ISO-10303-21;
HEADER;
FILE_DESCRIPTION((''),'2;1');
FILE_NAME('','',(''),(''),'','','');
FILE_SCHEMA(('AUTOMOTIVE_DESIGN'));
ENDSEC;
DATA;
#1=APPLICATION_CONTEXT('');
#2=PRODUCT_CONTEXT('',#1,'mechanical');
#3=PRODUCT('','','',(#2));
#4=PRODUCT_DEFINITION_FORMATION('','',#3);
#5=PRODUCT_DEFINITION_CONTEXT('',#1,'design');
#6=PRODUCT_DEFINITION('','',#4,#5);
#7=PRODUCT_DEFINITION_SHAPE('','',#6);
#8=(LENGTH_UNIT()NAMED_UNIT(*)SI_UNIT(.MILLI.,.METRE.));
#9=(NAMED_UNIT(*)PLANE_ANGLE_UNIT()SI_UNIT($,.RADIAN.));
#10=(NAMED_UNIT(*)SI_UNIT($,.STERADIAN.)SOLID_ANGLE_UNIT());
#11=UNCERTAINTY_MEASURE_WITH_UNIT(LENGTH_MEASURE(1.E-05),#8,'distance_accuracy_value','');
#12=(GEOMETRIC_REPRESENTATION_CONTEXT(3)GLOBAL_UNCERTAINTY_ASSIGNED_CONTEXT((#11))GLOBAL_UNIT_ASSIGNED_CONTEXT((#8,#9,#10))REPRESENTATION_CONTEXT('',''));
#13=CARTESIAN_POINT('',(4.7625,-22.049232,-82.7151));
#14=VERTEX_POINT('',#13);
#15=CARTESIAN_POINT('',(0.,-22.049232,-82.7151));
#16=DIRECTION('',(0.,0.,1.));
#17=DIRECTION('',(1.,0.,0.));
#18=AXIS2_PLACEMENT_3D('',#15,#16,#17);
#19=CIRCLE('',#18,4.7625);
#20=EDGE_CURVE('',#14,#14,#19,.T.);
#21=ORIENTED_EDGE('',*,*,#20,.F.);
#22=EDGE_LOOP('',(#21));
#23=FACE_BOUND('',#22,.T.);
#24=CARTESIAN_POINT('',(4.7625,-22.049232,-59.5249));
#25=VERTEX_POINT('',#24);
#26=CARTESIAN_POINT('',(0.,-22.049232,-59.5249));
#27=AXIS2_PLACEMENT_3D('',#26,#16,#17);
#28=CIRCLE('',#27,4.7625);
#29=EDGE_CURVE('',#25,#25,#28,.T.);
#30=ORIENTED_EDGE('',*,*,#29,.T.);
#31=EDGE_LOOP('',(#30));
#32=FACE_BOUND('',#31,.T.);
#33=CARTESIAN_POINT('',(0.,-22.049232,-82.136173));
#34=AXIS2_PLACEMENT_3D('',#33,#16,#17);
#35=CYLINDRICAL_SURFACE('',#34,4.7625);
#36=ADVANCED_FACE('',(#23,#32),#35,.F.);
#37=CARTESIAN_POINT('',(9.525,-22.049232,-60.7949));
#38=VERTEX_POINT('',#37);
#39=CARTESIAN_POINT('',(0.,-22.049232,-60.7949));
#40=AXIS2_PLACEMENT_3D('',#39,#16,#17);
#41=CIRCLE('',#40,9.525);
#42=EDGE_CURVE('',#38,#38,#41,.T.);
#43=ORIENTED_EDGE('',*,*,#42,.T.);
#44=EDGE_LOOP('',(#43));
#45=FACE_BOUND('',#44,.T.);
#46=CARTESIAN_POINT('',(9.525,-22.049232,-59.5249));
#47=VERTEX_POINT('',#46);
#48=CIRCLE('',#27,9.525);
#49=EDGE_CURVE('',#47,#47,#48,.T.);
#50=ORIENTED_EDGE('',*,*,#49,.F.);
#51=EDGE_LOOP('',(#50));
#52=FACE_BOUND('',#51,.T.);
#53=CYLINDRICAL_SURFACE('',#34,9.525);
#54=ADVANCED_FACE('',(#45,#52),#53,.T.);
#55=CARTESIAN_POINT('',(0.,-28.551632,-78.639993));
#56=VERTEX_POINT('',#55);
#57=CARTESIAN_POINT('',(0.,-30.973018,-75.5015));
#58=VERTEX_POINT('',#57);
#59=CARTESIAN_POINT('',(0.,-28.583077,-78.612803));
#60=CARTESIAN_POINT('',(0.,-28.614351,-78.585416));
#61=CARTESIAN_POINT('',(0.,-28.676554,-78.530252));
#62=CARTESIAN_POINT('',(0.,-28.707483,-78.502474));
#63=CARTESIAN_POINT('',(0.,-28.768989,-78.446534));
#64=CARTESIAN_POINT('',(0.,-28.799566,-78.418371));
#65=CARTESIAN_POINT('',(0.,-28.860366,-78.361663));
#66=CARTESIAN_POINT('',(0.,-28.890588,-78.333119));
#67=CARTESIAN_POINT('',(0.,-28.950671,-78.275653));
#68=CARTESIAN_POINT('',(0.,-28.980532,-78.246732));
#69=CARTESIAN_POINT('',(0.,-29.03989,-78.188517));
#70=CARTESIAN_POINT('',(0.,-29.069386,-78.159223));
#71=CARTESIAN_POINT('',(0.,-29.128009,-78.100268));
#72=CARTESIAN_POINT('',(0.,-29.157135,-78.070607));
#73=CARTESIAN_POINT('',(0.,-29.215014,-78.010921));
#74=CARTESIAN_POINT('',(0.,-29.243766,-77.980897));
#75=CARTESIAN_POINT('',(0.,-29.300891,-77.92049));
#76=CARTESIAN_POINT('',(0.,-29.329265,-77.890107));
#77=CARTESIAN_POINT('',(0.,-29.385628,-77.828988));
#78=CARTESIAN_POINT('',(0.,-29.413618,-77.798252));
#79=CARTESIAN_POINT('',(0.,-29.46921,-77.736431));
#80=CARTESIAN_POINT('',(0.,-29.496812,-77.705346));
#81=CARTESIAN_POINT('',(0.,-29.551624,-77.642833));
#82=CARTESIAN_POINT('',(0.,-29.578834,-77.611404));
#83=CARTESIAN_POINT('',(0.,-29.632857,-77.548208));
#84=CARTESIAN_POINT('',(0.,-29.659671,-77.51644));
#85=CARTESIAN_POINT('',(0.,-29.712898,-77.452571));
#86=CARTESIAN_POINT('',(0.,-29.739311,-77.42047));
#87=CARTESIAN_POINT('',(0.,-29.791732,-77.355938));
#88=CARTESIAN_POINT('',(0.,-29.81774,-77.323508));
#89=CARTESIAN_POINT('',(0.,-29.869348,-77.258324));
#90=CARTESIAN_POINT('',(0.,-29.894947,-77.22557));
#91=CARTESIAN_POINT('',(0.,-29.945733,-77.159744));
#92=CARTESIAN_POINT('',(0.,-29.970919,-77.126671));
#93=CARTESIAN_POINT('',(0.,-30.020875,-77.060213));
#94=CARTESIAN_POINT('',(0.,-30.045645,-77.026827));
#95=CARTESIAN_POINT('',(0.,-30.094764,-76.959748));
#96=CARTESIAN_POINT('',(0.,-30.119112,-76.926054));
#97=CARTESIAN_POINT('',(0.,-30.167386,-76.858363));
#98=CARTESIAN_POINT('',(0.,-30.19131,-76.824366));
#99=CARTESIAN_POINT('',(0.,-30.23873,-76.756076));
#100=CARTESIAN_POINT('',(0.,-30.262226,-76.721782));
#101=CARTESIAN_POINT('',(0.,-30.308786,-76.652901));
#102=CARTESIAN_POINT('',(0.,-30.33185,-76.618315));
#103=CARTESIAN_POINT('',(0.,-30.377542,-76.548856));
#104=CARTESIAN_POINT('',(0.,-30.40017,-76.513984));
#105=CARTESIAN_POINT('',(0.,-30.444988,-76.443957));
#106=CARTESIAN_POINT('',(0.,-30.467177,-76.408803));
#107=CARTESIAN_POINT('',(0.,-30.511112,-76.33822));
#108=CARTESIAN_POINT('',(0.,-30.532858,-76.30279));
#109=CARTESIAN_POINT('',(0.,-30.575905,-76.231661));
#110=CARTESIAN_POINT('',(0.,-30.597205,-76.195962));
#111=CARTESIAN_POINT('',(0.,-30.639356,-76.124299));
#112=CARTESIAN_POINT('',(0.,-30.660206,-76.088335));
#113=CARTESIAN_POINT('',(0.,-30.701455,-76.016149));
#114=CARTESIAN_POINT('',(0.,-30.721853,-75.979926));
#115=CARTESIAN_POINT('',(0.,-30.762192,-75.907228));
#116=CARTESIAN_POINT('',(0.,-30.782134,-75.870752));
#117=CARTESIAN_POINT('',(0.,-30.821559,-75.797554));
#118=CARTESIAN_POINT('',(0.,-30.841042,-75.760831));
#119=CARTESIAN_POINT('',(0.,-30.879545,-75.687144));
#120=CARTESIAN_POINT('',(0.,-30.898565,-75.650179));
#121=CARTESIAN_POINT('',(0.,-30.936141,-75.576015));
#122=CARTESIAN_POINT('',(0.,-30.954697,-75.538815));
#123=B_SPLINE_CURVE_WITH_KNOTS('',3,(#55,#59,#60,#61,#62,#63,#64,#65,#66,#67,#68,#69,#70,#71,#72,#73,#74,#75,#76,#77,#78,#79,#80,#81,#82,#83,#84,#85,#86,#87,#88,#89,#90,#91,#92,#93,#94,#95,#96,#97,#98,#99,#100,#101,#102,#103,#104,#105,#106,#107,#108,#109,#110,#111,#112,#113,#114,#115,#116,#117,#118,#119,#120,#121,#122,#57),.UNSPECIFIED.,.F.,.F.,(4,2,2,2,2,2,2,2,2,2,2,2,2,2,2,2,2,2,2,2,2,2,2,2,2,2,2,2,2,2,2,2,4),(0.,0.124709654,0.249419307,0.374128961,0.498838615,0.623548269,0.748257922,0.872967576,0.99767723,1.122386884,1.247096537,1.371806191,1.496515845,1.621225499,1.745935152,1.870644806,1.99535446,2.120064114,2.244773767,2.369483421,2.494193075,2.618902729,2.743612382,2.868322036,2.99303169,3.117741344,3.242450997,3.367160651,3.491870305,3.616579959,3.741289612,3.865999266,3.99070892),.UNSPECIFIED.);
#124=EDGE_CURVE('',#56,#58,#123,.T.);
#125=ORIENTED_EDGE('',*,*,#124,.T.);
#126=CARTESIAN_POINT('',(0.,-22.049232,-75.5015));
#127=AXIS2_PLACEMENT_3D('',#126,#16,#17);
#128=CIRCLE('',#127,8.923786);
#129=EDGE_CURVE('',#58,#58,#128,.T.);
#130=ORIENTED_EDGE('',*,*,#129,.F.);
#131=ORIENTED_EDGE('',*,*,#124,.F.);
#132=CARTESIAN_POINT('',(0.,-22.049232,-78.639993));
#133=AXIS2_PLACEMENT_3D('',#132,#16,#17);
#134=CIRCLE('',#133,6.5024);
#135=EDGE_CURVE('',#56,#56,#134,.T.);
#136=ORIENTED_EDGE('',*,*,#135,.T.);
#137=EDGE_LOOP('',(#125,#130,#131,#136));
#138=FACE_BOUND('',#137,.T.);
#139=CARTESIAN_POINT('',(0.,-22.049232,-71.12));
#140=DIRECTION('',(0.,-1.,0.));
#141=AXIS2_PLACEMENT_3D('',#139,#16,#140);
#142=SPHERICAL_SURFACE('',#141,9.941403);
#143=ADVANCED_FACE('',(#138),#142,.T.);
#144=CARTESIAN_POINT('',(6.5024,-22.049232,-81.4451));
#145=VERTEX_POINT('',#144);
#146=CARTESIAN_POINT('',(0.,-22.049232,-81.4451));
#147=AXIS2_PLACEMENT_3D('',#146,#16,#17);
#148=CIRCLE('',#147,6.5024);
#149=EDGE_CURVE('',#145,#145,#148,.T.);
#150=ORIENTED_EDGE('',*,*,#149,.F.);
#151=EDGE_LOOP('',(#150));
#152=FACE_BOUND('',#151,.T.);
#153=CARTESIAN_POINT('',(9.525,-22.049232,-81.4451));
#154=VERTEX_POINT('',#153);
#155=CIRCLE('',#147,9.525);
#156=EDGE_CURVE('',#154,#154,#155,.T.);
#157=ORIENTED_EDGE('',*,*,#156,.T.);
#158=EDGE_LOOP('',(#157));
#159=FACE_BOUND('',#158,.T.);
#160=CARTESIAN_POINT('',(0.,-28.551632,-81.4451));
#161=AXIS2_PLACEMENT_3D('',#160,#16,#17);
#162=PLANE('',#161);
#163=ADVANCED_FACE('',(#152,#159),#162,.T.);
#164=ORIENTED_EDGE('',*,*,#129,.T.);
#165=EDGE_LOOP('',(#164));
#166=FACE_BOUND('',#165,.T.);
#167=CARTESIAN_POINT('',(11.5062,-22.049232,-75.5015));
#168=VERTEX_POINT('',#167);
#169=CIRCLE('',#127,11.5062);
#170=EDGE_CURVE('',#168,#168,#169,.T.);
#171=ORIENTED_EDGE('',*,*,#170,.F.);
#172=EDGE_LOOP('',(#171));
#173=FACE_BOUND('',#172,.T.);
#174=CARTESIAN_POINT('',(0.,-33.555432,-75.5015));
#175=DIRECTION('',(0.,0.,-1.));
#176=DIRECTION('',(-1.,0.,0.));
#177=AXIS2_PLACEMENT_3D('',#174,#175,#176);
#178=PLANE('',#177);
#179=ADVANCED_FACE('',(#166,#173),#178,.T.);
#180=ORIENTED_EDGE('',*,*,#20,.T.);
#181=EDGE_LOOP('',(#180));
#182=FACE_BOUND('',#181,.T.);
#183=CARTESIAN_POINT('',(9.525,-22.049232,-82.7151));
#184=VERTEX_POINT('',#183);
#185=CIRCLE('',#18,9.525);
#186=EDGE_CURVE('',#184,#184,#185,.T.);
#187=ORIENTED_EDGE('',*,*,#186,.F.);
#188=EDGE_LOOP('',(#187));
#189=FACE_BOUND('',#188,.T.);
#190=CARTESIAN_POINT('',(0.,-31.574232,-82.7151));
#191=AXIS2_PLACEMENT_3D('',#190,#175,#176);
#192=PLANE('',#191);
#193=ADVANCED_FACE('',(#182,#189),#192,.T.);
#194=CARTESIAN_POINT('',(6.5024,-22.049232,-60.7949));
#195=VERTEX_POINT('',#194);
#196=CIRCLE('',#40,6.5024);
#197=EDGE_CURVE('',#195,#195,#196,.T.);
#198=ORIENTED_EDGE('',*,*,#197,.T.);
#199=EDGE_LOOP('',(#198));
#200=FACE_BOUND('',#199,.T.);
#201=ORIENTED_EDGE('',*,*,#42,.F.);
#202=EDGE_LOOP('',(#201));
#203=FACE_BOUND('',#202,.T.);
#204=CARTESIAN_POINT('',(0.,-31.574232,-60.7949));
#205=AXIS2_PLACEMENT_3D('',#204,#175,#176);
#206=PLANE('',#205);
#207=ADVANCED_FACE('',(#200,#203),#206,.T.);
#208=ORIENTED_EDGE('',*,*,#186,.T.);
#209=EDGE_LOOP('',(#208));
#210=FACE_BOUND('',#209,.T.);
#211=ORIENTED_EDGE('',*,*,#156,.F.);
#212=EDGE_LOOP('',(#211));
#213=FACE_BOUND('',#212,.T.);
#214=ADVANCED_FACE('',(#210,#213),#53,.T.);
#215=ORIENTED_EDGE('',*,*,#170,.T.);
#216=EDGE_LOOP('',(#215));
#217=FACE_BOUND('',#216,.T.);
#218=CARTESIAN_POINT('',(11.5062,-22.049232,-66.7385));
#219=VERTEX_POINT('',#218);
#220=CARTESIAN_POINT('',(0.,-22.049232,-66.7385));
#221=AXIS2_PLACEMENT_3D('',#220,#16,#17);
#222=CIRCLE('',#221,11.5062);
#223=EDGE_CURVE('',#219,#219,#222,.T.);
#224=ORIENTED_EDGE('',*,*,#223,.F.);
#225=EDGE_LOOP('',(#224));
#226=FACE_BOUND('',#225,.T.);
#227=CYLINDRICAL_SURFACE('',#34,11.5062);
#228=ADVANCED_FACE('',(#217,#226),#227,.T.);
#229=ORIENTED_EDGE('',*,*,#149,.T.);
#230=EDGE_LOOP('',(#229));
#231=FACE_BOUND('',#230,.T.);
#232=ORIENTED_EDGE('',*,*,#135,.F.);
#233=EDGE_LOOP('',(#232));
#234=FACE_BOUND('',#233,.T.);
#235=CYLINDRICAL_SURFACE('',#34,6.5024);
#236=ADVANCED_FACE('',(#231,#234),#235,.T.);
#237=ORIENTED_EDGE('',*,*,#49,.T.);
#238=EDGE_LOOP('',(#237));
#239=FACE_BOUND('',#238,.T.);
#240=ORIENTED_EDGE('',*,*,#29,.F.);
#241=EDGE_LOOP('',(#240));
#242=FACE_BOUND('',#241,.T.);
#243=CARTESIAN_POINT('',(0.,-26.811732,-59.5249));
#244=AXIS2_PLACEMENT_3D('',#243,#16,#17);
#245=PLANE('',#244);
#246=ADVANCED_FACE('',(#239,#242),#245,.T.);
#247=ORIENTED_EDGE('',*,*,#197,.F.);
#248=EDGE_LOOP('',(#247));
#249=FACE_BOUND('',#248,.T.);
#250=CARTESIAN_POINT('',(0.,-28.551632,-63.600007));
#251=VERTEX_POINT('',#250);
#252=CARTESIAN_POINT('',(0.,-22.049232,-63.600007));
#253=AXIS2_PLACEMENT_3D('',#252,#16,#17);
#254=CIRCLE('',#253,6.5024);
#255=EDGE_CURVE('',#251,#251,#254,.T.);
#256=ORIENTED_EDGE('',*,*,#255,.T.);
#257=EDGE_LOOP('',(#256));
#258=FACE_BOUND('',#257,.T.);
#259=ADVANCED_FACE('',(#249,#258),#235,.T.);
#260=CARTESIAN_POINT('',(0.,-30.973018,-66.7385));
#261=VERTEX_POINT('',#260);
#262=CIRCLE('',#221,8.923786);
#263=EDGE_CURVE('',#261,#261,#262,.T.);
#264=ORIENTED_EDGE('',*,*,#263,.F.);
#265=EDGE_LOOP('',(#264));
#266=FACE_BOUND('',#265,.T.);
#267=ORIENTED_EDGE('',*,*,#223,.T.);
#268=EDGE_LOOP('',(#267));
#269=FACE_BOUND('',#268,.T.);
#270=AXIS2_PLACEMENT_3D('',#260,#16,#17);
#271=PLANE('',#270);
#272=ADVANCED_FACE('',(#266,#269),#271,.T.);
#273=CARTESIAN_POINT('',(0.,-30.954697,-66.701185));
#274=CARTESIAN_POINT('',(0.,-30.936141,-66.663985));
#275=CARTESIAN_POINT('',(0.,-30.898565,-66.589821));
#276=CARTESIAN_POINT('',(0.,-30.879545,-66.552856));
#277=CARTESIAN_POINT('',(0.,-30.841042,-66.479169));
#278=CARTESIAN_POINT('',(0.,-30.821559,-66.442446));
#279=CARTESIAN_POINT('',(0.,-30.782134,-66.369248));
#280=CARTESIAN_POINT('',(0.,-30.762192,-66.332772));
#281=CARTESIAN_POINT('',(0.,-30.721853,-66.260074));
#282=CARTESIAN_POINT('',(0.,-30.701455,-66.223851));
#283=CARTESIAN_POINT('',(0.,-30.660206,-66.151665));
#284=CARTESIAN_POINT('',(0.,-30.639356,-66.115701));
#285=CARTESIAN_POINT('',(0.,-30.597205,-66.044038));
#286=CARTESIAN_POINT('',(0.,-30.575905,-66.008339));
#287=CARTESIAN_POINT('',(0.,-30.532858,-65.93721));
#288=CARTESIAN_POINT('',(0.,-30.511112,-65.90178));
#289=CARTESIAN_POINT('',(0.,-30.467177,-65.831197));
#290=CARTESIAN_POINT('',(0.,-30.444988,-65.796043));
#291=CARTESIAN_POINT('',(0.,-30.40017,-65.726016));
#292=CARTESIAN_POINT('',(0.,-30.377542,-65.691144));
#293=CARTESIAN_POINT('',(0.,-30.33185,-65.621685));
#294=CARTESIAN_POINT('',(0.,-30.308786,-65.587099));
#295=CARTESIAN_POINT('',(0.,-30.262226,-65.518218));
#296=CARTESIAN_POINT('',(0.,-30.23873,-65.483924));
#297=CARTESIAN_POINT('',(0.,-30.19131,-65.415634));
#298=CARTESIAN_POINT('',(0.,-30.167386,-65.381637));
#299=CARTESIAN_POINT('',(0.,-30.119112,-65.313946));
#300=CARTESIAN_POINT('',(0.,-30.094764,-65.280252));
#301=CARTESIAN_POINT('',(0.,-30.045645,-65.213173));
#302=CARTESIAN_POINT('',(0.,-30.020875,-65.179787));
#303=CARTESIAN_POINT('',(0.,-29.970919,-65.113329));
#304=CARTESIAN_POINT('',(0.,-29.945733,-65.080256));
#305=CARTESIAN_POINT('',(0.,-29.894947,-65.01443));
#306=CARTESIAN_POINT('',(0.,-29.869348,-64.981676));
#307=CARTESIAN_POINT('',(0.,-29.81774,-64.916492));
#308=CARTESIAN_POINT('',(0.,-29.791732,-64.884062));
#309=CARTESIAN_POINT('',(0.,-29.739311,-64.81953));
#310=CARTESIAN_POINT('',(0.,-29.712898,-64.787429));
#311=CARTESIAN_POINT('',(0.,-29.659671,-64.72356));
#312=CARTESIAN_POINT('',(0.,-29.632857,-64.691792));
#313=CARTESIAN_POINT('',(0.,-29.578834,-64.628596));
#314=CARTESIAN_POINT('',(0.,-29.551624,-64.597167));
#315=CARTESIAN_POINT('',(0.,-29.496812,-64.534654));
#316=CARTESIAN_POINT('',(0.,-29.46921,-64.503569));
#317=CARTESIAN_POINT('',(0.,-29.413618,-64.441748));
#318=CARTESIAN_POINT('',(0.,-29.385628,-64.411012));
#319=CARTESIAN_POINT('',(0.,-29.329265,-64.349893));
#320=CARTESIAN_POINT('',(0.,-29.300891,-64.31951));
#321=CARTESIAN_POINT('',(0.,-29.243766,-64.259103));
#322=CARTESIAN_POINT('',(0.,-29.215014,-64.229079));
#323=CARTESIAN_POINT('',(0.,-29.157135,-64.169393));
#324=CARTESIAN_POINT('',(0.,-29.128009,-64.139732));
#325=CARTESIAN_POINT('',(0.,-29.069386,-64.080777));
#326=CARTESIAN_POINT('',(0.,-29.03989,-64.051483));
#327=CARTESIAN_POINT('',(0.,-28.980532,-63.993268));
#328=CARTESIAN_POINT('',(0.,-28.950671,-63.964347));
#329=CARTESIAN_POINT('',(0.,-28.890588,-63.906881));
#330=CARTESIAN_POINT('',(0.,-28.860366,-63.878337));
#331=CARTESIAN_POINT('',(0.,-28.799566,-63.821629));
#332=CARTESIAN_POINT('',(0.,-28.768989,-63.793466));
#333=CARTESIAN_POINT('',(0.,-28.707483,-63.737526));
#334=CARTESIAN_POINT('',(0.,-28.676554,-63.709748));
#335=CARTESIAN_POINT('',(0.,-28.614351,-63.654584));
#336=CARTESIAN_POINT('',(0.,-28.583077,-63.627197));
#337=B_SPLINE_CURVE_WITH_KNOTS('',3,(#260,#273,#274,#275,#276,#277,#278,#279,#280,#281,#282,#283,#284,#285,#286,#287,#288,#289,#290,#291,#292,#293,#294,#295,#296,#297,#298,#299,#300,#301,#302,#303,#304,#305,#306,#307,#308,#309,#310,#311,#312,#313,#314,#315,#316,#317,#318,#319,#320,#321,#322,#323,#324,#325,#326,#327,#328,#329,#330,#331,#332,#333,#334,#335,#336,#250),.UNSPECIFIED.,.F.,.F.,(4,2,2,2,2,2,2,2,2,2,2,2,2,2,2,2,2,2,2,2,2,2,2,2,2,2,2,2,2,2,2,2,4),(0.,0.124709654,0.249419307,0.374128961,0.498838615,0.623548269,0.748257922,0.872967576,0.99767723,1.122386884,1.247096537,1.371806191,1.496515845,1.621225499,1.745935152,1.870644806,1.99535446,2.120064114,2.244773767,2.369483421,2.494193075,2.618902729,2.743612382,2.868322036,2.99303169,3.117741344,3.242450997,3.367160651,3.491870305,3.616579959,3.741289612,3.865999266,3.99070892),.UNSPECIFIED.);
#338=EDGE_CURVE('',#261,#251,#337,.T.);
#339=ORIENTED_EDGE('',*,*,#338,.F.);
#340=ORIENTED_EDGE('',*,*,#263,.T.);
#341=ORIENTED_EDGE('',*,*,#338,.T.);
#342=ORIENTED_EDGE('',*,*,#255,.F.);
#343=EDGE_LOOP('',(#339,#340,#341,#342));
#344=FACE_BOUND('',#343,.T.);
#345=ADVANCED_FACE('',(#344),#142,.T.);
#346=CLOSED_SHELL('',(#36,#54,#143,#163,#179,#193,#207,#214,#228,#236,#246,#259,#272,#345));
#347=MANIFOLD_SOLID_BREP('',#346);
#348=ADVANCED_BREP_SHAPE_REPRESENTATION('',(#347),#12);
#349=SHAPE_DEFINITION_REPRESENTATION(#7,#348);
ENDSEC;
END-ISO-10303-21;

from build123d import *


with BuildPart() as part:
    # Sketch1 → Revolve1 (revolve)
    with BuildSketch(Plane(origin=(0, 0, 0), x_dir=(0, 0, -1), z_dir=(1, 0, 0)), mode=Mode.PRIVATE) as revolve1_sk:
        with BuildLine():
            Line((60.7949, -26.811732), (81.4451, -26.811732))
            Line((81.4451, -26.811732), (82.7151, -26.811732))
            Line((82.7151, -26.811732), (82.7151, -31.574232))
            Line((82.7151, -31.574232), (81.4451, -31.574232))
            Line((81.4451, -31.574232), (81.4451, -28.551632))
            Line((81.4451, -28.551632), (78.639993039, -28.551632))
            ThreePointArc((78.639993039, -28.551632), (77.1926569, -29.920339878), (75.5015, -30.973018125))
            Line((75.5015, -30.973018125), (75.5015, -33.555432))
            Line((75.5015, -33.555432), (66.7385, -33.555432))
            Line((66.7385, -33.555432), (66.7385, -30.973018125))
            ThreePointArc((66.7385, -30.973018125), (65.0473431, -29.920339878), (63.600006961, -28.551632))
            Line((63.600006961, -28.551632), (60.7949, -28.551632))
            Line((60.7949, -28.551632), (60.7949, -31.574232))
            Line((60.7949, -31.574232), (59.5249, -31.574232))
            Line((59.5249, -31.574232), (59.5249, -26.811732))
            Line((59.5249, -26.811732), (60.7949, -26.811732))
        make_face()
    revolve(revolve1_sk.sketch.rotate(Axis((0, -22.049232, -82.136173087), (0, 0, -1)), 270), axis=Axis((0, -22.049232, -82.136173087), (0, 0, -1)))


solid = part.part
